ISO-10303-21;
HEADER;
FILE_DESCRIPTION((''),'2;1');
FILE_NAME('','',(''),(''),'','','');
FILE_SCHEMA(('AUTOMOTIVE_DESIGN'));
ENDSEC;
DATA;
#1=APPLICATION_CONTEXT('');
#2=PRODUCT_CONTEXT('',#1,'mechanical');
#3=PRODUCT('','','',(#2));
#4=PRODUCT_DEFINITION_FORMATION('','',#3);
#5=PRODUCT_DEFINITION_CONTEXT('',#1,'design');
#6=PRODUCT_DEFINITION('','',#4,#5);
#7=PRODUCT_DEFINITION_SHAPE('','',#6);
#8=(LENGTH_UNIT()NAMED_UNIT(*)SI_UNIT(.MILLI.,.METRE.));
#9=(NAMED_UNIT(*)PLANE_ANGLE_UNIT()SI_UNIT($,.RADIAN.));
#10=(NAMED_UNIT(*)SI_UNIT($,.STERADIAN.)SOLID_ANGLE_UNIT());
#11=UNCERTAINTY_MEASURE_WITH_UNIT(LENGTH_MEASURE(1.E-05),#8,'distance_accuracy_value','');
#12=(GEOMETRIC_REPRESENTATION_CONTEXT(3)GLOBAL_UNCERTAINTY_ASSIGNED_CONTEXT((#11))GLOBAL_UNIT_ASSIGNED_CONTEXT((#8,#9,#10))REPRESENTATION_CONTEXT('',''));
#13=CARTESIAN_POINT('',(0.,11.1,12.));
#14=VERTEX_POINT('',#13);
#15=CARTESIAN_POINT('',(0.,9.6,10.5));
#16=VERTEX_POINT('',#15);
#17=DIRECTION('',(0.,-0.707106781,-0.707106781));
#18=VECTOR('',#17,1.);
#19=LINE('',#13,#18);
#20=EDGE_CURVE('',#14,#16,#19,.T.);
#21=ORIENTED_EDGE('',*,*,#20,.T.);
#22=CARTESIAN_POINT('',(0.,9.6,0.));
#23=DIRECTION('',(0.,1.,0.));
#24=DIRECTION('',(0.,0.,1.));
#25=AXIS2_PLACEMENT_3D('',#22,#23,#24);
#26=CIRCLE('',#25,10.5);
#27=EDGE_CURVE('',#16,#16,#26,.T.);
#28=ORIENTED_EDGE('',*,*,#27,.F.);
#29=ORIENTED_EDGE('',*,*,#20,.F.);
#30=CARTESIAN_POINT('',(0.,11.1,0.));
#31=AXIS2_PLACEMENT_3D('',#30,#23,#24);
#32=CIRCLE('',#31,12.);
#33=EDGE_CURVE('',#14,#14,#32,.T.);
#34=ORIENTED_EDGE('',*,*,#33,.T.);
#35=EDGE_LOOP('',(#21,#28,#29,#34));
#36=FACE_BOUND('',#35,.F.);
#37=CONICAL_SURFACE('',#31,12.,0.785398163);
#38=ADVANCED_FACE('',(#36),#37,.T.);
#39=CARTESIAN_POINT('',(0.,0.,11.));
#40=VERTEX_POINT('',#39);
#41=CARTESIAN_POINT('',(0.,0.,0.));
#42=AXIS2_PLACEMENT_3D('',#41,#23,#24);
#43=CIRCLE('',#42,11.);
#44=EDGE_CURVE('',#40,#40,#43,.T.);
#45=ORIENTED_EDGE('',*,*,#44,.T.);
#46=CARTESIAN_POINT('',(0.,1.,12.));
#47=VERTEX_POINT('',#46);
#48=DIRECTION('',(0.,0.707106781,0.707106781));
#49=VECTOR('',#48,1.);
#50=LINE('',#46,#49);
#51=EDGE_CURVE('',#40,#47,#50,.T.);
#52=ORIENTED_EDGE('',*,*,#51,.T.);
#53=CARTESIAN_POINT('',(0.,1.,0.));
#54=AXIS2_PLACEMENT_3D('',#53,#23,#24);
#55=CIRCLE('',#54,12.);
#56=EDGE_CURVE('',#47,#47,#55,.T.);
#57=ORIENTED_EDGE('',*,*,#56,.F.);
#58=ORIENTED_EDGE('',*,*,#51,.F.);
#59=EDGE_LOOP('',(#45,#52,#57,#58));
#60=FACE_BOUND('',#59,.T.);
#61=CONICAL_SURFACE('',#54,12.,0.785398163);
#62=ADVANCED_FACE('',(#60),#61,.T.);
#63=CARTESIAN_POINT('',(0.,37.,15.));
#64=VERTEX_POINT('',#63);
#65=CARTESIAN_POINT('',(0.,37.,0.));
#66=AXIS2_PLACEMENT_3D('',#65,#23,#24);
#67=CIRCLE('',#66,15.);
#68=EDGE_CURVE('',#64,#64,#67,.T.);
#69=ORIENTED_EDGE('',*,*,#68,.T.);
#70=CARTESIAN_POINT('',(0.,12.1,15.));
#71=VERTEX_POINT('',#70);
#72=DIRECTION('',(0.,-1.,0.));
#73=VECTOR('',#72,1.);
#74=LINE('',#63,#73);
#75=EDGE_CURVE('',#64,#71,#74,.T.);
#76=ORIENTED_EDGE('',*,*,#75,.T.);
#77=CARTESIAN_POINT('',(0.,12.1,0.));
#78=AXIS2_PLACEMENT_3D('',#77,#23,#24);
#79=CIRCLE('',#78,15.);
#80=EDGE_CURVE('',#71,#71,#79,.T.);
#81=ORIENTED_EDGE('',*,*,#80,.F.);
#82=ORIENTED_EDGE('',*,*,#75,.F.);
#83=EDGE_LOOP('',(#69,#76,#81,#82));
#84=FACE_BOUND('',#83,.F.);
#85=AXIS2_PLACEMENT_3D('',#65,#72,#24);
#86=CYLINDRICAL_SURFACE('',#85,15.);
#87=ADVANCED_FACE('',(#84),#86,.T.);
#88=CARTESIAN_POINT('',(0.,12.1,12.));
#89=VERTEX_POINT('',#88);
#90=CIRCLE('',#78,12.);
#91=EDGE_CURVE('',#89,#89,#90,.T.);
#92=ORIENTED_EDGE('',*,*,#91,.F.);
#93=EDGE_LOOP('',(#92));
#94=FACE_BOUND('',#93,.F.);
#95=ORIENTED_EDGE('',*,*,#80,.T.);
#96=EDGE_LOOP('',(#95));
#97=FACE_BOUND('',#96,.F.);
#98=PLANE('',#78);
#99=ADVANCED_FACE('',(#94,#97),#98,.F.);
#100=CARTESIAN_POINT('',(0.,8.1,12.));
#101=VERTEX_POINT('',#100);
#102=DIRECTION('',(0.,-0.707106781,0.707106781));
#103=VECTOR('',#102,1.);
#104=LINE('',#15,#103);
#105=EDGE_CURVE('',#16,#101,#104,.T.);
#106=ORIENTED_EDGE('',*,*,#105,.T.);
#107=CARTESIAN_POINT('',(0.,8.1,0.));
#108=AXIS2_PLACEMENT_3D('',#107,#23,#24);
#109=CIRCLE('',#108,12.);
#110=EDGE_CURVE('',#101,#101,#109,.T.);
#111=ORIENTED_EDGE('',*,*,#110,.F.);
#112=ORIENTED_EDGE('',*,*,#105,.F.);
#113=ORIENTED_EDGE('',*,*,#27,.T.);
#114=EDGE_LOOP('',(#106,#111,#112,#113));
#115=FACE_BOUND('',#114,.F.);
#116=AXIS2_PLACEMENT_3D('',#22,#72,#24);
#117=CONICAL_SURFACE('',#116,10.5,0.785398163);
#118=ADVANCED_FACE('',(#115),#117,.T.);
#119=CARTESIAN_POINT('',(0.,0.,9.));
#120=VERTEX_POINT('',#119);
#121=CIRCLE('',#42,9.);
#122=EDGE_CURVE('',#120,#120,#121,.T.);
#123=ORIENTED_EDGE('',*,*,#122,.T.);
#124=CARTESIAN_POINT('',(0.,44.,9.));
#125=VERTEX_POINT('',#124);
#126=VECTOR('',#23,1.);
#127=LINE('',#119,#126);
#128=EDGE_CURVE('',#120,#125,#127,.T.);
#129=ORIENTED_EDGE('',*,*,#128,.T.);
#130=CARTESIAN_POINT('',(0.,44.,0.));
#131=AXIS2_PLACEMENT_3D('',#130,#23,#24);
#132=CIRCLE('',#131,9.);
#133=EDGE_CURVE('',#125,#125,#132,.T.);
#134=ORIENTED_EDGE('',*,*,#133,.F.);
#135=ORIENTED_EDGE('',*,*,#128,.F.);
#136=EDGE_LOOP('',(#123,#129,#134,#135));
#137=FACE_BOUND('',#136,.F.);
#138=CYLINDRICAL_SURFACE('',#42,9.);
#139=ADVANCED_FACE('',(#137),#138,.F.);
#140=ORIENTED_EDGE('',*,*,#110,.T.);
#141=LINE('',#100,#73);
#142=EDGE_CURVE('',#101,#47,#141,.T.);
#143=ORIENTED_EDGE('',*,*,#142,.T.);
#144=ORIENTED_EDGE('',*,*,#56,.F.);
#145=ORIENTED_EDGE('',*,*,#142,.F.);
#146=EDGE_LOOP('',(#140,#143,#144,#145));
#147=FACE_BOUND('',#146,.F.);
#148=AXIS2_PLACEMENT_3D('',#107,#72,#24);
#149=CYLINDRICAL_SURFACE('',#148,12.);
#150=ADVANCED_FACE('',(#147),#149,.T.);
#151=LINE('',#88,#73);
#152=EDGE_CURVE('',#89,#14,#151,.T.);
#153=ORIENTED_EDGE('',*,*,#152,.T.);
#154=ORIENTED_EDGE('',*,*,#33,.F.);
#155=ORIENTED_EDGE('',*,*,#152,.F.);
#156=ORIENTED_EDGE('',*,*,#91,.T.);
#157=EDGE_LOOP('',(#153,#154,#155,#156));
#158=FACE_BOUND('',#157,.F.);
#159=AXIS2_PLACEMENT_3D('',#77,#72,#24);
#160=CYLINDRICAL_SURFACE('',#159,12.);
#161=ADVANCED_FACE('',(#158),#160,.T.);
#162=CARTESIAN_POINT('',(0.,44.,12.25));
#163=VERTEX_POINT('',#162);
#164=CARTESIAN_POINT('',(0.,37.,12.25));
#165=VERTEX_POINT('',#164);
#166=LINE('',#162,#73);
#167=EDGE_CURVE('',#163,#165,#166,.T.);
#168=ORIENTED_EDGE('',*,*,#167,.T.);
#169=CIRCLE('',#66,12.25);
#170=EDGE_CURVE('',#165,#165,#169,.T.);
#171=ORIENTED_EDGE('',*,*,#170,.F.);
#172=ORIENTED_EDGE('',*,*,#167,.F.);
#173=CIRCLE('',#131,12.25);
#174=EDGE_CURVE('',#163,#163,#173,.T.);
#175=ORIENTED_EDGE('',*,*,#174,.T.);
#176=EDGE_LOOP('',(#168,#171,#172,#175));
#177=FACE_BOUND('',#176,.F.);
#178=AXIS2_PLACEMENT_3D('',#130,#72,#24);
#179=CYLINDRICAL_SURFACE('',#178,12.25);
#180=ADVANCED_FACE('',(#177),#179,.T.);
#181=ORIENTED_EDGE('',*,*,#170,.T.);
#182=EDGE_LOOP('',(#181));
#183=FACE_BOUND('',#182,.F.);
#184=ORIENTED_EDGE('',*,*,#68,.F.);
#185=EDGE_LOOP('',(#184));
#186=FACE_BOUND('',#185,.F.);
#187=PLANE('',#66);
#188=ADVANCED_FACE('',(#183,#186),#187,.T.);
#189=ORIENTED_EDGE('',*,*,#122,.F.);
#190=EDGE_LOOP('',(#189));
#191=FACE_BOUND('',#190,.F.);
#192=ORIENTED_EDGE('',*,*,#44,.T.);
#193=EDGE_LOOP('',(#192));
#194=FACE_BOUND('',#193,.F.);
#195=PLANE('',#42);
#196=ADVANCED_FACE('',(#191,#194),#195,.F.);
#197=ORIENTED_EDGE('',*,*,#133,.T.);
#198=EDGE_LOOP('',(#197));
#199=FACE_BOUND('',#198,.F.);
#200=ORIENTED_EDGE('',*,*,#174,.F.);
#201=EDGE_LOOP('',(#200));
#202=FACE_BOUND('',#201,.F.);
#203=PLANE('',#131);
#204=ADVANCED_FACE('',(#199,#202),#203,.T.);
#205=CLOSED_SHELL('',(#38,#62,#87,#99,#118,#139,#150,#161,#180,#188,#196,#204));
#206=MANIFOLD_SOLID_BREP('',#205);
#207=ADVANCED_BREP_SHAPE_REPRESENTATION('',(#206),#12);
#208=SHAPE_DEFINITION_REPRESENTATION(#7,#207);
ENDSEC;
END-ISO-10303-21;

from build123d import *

# Parameters (mm, degrees)
F2_SIZE = 1


with BuildPart() as f1:
    # F0 (on Right) → F1 (revolve)
    with BuildSketch(Plane.YZ):
        Polygon((0, 12), (0, 9), (44, 9), (44, 12.25), (37, 12.25), (37, 15), (12.1, 15), (12.1, 12), (11.1, 12), (9.6, 10.5), (8.1, 12), align=None)
    revolve(axis=Axis((0, 15.313713, 0), (0, 1, 0)))

    # F2
    f2_edges = [f1.edges().sort_by_distance(p)[0] for p in [
        (0, 0, -12),
    ]]
    chamfer(f2_edges, length=F2_SIZE)


solid = f1.part
